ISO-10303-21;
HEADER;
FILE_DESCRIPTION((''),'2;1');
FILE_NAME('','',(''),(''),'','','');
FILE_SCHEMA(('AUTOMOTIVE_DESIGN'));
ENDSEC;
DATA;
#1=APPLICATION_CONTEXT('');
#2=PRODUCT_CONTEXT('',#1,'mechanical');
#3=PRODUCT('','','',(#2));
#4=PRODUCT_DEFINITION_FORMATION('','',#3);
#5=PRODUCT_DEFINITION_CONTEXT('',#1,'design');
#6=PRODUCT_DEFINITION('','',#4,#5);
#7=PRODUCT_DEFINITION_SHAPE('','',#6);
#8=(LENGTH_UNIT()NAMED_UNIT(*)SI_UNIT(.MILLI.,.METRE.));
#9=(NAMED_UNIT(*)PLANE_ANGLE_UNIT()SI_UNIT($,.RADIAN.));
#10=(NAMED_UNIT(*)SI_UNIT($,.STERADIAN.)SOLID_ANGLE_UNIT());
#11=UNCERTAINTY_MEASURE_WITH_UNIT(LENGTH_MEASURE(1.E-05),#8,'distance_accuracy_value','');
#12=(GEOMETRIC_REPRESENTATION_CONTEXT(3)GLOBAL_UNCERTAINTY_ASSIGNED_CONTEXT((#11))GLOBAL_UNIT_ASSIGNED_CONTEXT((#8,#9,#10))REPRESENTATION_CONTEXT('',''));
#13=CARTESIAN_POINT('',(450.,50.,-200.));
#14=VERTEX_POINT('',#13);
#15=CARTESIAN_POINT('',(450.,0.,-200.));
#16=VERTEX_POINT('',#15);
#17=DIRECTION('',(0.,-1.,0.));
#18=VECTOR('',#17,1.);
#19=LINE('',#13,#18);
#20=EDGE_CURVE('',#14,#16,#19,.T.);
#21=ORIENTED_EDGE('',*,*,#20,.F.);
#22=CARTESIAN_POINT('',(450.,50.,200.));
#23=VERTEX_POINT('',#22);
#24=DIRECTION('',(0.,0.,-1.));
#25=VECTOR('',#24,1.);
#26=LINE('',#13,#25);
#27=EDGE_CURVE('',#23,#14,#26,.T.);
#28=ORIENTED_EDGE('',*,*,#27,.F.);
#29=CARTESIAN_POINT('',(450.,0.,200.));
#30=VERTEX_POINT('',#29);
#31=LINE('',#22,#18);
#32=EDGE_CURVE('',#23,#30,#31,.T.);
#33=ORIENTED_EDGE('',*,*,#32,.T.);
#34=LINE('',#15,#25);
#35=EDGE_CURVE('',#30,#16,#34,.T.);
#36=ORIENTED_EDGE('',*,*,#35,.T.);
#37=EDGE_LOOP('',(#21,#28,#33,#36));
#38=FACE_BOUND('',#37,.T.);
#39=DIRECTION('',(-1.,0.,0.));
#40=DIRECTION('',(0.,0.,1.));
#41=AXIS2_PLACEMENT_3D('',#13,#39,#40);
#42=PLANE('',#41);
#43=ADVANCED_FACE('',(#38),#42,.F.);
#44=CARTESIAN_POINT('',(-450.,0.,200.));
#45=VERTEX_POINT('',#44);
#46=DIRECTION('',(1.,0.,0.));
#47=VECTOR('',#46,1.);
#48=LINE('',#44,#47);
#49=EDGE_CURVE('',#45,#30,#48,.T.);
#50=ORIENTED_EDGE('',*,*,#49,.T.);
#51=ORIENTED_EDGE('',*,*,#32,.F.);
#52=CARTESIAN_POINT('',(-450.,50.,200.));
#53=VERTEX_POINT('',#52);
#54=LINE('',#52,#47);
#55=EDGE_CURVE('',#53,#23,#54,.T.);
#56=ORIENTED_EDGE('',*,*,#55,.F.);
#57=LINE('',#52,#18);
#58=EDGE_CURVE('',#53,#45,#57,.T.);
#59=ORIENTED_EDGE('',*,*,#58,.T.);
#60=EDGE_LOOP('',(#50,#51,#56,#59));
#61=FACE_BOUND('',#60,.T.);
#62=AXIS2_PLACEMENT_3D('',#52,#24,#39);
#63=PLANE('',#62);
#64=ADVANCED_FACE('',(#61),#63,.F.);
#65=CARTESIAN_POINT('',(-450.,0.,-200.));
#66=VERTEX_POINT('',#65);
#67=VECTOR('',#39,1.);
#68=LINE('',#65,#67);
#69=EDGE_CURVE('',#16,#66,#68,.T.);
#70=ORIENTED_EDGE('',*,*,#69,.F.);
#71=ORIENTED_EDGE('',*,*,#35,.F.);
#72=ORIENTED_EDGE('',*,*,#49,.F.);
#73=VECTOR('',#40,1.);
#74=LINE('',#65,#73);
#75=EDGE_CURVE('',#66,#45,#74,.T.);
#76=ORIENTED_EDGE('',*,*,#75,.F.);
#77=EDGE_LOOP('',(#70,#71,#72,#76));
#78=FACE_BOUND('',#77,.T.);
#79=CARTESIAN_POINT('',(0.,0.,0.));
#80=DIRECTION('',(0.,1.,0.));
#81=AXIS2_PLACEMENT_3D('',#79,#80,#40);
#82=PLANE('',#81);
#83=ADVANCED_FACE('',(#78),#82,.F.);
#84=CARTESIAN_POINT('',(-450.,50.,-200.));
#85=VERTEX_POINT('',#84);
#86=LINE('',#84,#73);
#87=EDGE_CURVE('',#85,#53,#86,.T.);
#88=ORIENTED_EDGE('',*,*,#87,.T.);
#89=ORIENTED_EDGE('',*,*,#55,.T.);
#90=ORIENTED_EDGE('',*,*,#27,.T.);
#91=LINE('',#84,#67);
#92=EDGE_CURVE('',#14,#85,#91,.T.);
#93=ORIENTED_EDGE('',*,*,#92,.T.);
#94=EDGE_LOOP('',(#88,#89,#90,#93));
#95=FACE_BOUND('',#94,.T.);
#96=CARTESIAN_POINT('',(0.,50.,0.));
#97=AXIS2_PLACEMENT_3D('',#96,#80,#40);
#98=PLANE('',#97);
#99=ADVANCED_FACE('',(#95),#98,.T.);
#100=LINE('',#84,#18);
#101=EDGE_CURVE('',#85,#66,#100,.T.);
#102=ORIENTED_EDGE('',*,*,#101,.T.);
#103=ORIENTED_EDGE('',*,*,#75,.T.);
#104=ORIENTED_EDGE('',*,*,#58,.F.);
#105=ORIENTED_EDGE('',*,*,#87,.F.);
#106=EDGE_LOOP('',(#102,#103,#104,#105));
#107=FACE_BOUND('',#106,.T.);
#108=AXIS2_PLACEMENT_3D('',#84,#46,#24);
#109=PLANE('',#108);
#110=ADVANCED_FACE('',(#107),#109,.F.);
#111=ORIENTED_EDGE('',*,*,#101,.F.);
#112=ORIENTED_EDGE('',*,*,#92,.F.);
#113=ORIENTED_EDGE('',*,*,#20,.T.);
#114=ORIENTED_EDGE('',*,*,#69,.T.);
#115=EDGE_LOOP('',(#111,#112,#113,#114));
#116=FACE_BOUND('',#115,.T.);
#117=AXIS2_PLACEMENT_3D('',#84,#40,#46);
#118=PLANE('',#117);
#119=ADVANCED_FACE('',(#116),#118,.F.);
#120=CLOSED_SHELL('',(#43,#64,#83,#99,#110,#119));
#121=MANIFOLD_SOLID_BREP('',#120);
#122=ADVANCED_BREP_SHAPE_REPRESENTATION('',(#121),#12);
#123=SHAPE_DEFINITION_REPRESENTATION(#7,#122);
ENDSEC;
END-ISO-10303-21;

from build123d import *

# Parameters (mm, degrees)
SKETCH_1_W            = 900
SKETCH_1_H            = 400
EXTRUDE_900X300_DEPTH = 50


with BuildPart() as part:
    # 스케치1 → 900x300 (new body)
    with BuildSketch(Plane(origin=(0, 0, 0), x_dir=(1, 0, 0), z_dir=(0, 1, 0))):
        Rectangle(SKETCH_1_W, SKETCH_1_H)
    extrude(amount=EXTRUDE_900X300_DEPTH)


solid = part.part
